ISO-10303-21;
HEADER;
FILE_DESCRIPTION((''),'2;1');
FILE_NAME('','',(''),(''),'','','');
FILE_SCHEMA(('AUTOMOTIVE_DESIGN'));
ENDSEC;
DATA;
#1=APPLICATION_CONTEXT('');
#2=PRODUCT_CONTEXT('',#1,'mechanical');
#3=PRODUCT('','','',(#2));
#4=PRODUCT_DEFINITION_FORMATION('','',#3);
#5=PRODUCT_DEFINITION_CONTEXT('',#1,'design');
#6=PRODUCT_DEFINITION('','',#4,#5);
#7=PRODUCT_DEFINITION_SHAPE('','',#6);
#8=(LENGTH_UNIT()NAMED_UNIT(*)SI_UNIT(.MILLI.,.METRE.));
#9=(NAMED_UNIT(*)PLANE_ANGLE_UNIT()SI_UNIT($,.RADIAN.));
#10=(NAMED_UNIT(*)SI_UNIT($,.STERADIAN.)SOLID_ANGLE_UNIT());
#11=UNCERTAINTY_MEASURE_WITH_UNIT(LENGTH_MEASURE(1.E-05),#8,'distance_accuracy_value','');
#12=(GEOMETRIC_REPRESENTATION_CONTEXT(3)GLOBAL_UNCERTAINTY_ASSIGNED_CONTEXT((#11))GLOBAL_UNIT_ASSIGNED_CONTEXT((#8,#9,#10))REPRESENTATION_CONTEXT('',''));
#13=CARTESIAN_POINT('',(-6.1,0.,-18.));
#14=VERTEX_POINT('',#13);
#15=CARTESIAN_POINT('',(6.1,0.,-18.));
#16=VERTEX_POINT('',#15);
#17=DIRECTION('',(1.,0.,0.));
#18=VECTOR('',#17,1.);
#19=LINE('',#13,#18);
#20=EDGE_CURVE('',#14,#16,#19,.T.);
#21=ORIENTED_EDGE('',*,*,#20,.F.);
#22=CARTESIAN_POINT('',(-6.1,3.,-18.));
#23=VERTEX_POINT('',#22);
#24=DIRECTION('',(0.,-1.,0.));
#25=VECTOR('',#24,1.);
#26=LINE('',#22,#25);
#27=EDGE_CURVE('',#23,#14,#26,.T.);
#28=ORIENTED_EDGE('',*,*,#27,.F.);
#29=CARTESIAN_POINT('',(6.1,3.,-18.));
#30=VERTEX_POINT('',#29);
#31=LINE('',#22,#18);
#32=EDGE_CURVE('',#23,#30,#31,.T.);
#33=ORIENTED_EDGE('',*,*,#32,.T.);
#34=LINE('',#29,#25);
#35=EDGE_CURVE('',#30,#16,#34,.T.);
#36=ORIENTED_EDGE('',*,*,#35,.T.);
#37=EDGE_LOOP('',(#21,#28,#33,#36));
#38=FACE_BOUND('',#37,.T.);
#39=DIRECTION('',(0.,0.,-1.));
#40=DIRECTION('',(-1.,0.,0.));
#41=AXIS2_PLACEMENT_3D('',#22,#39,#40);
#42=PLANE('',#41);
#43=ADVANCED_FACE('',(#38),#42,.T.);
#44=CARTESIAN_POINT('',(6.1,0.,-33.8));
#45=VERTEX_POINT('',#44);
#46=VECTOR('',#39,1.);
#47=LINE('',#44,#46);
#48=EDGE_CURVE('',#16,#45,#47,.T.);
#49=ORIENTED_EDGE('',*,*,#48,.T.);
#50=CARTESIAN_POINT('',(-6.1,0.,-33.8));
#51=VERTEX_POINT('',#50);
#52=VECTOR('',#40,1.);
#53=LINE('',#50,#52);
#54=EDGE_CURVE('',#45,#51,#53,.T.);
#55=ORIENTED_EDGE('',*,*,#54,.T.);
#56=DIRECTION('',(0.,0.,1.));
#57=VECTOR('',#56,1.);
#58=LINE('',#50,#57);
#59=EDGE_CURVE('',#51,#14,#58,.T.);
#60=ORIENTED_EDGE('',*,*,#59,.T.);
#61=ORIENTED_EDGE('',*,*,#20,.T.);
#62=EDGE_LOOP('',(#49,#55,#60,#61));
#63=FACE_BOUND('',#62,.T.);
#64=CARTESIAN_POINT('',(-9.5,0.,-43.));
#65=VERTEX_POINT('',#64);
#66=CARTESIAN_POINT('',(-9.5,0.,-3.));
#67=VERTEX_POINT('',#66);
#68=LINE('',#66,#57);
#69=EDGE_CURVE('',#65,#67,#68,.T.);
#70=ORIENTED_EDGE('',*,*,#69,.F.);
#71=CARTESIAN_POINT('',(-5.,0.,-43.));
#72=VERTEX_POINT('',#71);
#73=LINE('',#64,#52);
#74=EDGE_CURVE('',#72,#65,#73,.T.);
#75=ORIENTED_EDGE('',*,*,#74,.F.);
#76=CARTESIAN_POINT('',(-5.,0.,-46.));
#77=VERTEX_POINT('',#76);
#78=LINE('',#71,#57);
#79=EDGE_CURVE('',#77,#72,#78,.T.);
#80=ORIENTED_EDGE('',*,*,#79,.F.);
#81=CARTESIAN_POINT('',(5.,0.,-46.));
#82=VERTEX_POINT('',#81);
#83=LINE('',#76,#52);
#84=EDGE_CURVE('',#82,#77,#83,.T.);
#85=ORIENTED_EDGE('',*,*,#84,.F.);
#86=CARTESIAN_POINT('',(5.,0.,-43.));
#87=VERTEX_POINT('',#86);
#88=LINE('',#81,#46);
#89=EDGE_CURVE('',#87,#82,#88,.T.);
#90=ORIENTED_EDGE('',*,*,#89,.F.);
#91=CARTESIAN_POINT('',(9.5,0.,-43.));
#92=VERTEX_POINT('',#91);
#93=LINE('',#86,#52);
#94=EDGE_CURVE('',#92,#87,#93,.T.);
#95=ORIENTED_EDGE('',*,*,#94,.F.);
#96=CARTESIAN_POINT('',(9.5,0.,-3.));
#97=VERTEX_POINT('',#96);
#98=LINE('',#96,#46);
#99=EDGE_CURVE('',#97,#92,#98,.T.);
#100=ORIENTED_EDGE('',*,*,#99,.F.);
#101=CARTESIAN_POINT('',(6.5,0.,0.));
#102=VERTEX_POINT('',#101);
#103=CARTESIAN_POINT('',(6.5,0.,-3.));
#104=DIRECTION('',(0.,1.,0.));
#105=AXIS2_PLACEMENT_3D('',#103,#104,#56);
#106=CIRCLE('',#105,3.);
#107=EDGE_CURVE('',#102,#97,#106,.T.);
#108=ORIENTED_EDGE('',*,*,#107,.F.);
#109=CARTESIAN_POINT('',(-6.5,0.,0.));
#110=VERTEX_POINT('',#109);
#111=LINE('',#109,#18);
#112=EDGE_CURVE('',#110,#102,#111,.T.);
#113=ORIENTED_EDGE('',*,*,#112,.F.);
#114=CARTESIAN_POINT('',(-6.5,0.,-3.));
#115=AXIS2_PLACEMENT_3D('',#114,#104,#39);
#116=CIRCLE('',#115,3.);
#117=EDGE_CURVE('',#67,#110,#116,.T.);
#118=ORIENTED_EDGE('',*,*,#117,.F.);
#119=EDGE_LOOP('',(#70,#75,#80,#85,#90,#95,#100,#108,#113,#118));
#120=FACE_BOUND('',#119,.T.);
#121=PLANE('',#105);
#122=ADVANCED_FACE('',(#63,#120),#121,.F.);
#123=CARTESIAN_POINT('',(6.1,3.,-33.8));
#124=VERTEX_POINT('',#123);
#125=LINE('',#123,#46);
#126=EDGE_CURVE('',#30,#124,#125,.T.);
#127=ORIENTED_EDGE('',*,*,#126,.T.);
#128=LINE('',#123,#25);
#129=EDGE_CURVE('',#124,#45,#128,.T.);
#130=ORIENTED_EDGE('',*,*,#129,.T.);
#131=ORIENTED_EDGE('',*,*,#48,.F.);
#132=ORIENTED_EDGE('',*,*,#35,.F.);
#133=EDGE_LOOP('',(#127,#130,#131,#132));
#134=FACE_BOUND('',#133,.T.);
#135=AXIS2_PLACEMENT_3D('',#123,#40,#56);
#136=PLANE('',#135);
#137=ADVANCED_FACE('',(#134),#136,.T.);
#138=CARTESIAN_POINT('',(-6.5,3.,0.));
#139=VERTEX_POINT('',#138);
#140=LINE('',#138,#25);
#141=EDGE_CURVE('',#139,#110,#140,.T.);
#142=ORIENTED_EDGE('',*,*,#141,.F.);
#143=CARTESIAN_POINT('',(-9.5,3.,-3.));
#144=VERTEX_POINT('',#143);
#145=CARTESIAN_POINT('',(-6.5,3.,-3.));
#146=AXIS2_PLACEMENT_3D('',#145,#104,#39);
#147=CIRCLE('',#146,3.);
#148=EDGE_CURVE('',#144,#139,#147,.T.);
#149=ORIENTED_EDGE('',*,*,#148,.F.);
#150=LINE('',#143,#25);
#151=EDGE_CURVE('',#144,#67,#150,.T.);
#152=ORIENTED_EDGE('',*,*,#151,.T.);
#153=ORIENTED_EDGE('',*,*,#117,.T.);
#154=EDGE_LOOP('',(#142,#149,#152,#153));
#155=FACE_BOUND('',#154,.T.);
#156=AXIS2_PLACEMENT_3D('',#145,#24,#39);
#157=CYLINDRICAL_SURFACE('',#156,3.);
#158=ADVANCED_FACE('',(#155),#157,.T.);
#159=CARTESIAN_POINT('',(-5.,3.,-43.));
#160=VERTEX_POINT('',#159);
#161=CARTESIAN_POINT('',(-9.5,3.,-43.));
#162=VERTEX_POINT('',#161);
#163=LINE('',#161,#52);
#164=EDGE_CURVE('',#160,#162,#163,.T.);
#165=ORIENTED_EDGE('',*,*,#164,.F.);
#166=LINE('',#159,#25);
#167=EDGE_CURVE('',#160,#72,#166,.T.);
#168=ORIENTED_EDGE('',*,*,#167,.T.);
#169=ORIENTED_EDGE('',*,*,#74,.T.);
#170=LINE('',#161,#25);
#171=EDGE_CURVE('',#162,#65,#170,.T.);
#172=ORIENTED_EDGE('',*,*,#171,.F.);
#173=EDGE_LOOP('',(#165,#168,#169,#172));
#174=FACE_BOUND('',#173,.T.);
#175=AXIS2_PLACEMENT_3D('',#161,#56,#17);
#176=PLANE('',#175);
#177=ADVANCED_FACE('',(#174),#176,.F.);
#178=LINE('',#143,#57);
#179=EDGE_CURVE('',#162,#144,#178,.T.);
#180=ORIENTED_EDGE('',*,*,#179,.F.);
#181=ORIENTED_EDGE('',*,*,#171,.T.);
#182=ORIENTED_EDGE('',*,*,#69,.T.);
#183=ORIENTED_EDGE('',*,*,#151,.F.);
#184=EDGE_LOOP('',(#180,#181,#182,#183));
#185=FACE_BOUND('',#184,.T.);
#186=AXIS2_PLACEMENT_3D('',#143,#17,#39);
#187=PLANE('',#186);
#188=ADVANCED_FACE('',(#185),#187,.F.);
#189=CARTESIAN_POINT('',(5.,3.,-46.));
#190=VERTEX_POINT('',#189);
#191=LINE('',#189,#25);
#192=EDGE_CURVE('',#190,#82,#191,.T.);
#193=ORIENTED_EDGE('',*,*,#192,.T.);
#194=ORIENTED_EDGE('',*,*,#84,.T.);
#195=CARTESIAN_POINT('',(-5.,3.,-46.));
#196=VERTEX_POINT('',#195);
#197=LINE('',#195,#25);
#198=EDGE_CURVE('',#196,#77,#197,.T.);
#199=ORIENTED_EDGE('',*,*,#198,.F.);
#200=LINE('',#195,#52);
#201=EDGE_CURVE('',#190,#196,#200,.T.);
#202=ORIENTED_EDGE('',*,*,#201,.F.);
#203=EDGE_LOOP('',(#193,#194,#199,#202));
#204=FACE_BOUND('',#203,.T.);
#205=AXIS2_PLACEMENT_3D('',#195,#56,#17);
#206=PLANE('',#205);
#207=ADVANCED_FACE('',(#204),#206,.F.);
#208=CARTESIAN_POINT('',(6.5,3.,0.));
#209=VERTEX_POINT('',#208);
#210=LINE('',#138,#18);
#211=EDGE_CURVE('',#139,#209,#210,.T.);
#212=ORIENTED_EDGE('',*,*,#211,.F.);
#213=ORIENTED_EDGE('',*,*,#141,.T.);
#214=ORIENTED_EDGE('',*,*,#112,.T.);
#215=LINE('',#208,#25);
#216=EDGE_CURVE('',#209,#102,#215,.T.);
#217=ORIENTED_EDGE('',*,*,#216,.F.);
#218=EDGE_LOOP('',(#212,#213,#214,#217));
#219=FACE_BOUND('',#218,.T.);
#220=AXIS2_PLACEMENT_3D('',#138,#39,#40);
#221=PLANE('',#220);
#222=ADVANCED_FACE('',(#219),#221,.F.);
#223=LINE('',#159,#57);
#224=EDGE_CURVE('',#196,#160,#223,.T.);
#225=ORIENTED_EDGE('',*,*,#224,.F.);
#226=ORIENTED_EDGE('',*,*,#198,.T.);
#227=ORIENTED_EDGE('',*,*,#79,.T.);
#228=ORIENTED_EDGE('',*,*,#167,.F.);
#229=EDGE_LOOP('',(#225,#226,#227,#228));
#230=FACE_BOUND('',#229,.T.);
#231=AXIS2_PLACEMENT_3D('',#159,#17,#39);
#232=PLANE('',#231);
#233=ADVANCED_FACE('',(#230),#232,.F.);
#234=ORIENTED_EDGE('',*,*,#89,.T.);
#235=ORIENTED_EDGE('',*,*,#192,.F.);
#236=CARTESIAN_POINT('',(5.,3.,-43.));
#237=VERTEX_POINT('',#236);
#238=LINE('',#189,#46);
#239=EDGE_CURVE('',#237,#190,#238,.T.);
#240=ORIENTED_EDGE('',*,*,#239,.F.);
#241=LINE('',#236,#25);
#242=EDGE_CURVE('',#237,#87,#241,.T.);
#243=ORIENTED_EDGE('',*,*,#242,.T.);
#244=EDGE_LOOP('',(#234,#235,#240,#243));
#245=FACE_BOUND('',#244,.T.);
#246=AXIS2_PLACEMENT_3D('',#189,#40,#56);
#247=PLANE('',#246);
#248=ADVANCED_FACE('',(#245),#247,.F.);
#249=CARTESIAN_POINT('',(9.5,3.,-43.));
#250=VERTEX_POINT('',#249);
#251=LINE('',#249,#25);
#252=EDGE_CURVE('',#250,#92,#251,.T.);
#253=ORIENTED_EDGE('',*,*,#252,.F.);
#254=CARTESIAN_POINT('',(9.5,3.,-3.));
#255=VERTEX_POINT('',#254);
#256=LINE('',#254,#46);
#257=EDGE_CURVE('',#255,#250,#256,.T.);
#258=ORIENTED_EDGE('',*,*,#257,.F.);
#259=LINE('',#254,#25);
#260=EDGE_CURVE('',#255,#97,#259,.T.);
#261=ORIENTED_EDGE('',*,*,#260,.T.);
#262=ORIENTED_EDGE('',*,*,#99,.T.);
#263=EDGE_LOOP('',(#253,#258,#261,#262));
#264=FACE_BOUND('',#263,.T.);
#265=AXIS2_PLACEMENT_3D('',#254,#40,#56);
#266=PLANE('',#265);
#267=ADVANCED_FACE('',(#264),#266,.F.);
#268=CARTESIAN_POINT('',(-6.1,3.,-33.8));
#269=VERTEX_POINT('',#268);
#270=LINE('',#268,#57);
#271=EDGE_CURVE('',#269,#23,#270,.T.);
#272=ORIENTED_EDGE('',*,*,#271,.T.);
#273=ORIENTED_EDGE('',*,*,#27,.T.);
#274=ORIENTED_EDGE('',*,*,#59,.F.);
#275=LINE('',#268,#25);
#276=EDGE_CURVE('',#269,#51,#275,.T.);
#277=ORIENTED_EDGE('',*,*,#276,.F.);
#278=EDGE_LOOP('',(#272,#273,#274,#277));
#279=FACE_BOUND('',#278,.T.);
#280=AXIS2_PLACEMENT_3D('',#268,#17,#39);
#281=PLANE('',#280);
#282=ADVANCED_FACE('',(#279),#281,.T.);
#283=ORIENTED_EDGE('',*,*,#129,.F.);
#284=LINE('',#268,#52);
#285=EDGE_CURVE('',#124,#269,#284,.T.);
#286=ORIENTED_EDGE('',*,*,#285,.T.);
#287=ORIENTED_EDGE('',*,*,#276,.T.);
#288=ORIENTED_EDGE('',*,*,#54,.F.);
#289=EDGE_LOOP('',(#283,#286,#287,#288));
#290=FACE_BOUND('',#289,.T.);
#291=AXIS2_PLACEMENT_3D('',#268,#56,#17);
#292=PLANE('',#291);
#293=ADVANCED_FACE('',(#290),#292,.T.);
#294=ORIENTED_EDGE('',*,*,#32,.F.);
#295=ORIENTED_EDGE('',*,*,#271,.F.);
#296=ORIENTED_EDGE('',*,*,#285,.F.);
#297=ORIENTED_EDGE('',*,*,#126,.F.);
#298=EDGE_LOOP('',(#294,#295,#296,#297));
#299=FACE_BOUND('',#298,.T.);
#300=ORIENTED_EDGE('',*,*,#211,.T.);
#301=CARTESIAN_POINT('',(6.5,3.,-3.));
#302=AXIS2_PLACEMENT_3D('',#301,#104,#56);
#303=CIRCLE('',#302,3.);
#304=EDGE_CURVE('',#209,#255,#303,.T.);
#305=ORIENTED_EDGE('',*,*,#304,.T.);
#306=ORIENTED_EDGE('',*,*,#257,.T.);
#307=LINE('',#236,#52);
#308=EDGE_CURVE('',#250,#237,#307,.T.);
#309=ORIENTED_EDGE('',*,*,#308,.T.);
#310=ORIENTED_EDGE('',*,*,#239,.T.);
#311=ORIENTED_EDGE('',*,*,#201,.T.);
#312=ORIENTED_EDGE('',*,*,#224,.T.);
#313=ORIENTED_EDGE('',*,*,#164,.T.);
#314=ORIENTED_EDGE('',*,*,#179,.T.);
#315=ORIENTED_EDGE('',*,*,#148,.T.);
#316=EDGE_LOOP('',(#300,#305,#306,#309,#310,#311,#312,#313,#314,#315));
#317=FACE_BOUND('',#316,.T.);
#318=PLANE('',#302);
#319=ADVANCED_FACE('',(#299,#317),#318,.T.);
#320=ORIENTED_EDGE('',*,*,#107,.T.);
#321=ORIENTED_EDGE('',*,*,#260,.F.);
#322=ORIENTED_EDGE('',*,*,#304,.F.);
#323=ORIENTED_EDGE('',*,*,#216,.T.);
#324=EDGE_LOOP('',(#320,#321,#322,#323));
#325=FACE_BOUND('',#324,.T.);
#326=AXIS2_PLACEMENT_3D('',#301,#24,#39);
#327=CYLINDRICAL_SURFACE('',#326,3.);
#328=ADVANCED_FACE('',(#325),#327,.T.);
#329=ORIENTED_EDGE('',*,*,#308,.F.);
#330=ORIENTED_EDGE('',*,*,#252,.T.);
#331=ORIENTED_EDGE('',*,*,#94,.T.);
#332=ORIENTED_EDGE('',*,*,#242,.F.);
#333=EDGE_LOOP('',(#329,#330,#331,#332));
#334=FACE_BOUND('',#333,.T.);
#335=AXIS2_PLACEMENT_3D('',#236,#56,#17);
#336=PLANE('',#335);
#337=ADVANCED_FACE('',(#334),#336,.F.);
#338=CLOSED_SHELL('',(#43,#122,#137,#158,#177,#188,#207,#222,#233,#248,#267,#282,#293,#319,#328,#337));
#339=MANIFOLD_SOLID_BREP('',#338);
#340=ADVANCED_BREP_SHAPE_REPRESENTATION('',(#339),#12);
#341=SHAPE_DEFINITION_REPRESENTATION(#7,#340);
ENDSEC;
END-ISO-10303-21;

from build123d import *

# Parameters (mm, degrees)
ESQUISSE1_W        = 12.2
ESQUISSE1_H        = 15.8
BOSS_EXTRU_1_DEPTH = 3


with BuildPart() as part:
    # Esquisse1 → Boss.-Extru.1 (new body)
    with BuildSketch(Plane(origin=(0, 0, 0), x_dir=(1, 0, 0), z_dir=(0, 1, 0))):
        with BuildLine():
            Line((-9.5, 43), (-5, 43))
            Line((-5, 43), (-5, 46))
            Line((-5, 46), (5, 46))
            Line((5, 46), (5, 43))
            Line((5, 43), (9.5, 43))
            Line((9.5, 43), (9.5, 3))
            ThreePointArc((9.5, 3), (8.621320344, 0.878679656), (6.5, 0))
            Line((6.5, 0), (-6.5, 0))
            ThreePointArc((-6.5, 0), (-8.621320344, 0.878679656), (-9.5, 3))
            Line((-9.5, 3), (-9.5, 43))
        make_face()
        with Locations((0, 25.9)):
            Rectangle(ESQUISSE1_W, ESQUISSE1_H, mode=Mode.SUBTRACT)
    extrude(amount=BOSS_EXTRU_1_DEPTH)


solid = part.part
